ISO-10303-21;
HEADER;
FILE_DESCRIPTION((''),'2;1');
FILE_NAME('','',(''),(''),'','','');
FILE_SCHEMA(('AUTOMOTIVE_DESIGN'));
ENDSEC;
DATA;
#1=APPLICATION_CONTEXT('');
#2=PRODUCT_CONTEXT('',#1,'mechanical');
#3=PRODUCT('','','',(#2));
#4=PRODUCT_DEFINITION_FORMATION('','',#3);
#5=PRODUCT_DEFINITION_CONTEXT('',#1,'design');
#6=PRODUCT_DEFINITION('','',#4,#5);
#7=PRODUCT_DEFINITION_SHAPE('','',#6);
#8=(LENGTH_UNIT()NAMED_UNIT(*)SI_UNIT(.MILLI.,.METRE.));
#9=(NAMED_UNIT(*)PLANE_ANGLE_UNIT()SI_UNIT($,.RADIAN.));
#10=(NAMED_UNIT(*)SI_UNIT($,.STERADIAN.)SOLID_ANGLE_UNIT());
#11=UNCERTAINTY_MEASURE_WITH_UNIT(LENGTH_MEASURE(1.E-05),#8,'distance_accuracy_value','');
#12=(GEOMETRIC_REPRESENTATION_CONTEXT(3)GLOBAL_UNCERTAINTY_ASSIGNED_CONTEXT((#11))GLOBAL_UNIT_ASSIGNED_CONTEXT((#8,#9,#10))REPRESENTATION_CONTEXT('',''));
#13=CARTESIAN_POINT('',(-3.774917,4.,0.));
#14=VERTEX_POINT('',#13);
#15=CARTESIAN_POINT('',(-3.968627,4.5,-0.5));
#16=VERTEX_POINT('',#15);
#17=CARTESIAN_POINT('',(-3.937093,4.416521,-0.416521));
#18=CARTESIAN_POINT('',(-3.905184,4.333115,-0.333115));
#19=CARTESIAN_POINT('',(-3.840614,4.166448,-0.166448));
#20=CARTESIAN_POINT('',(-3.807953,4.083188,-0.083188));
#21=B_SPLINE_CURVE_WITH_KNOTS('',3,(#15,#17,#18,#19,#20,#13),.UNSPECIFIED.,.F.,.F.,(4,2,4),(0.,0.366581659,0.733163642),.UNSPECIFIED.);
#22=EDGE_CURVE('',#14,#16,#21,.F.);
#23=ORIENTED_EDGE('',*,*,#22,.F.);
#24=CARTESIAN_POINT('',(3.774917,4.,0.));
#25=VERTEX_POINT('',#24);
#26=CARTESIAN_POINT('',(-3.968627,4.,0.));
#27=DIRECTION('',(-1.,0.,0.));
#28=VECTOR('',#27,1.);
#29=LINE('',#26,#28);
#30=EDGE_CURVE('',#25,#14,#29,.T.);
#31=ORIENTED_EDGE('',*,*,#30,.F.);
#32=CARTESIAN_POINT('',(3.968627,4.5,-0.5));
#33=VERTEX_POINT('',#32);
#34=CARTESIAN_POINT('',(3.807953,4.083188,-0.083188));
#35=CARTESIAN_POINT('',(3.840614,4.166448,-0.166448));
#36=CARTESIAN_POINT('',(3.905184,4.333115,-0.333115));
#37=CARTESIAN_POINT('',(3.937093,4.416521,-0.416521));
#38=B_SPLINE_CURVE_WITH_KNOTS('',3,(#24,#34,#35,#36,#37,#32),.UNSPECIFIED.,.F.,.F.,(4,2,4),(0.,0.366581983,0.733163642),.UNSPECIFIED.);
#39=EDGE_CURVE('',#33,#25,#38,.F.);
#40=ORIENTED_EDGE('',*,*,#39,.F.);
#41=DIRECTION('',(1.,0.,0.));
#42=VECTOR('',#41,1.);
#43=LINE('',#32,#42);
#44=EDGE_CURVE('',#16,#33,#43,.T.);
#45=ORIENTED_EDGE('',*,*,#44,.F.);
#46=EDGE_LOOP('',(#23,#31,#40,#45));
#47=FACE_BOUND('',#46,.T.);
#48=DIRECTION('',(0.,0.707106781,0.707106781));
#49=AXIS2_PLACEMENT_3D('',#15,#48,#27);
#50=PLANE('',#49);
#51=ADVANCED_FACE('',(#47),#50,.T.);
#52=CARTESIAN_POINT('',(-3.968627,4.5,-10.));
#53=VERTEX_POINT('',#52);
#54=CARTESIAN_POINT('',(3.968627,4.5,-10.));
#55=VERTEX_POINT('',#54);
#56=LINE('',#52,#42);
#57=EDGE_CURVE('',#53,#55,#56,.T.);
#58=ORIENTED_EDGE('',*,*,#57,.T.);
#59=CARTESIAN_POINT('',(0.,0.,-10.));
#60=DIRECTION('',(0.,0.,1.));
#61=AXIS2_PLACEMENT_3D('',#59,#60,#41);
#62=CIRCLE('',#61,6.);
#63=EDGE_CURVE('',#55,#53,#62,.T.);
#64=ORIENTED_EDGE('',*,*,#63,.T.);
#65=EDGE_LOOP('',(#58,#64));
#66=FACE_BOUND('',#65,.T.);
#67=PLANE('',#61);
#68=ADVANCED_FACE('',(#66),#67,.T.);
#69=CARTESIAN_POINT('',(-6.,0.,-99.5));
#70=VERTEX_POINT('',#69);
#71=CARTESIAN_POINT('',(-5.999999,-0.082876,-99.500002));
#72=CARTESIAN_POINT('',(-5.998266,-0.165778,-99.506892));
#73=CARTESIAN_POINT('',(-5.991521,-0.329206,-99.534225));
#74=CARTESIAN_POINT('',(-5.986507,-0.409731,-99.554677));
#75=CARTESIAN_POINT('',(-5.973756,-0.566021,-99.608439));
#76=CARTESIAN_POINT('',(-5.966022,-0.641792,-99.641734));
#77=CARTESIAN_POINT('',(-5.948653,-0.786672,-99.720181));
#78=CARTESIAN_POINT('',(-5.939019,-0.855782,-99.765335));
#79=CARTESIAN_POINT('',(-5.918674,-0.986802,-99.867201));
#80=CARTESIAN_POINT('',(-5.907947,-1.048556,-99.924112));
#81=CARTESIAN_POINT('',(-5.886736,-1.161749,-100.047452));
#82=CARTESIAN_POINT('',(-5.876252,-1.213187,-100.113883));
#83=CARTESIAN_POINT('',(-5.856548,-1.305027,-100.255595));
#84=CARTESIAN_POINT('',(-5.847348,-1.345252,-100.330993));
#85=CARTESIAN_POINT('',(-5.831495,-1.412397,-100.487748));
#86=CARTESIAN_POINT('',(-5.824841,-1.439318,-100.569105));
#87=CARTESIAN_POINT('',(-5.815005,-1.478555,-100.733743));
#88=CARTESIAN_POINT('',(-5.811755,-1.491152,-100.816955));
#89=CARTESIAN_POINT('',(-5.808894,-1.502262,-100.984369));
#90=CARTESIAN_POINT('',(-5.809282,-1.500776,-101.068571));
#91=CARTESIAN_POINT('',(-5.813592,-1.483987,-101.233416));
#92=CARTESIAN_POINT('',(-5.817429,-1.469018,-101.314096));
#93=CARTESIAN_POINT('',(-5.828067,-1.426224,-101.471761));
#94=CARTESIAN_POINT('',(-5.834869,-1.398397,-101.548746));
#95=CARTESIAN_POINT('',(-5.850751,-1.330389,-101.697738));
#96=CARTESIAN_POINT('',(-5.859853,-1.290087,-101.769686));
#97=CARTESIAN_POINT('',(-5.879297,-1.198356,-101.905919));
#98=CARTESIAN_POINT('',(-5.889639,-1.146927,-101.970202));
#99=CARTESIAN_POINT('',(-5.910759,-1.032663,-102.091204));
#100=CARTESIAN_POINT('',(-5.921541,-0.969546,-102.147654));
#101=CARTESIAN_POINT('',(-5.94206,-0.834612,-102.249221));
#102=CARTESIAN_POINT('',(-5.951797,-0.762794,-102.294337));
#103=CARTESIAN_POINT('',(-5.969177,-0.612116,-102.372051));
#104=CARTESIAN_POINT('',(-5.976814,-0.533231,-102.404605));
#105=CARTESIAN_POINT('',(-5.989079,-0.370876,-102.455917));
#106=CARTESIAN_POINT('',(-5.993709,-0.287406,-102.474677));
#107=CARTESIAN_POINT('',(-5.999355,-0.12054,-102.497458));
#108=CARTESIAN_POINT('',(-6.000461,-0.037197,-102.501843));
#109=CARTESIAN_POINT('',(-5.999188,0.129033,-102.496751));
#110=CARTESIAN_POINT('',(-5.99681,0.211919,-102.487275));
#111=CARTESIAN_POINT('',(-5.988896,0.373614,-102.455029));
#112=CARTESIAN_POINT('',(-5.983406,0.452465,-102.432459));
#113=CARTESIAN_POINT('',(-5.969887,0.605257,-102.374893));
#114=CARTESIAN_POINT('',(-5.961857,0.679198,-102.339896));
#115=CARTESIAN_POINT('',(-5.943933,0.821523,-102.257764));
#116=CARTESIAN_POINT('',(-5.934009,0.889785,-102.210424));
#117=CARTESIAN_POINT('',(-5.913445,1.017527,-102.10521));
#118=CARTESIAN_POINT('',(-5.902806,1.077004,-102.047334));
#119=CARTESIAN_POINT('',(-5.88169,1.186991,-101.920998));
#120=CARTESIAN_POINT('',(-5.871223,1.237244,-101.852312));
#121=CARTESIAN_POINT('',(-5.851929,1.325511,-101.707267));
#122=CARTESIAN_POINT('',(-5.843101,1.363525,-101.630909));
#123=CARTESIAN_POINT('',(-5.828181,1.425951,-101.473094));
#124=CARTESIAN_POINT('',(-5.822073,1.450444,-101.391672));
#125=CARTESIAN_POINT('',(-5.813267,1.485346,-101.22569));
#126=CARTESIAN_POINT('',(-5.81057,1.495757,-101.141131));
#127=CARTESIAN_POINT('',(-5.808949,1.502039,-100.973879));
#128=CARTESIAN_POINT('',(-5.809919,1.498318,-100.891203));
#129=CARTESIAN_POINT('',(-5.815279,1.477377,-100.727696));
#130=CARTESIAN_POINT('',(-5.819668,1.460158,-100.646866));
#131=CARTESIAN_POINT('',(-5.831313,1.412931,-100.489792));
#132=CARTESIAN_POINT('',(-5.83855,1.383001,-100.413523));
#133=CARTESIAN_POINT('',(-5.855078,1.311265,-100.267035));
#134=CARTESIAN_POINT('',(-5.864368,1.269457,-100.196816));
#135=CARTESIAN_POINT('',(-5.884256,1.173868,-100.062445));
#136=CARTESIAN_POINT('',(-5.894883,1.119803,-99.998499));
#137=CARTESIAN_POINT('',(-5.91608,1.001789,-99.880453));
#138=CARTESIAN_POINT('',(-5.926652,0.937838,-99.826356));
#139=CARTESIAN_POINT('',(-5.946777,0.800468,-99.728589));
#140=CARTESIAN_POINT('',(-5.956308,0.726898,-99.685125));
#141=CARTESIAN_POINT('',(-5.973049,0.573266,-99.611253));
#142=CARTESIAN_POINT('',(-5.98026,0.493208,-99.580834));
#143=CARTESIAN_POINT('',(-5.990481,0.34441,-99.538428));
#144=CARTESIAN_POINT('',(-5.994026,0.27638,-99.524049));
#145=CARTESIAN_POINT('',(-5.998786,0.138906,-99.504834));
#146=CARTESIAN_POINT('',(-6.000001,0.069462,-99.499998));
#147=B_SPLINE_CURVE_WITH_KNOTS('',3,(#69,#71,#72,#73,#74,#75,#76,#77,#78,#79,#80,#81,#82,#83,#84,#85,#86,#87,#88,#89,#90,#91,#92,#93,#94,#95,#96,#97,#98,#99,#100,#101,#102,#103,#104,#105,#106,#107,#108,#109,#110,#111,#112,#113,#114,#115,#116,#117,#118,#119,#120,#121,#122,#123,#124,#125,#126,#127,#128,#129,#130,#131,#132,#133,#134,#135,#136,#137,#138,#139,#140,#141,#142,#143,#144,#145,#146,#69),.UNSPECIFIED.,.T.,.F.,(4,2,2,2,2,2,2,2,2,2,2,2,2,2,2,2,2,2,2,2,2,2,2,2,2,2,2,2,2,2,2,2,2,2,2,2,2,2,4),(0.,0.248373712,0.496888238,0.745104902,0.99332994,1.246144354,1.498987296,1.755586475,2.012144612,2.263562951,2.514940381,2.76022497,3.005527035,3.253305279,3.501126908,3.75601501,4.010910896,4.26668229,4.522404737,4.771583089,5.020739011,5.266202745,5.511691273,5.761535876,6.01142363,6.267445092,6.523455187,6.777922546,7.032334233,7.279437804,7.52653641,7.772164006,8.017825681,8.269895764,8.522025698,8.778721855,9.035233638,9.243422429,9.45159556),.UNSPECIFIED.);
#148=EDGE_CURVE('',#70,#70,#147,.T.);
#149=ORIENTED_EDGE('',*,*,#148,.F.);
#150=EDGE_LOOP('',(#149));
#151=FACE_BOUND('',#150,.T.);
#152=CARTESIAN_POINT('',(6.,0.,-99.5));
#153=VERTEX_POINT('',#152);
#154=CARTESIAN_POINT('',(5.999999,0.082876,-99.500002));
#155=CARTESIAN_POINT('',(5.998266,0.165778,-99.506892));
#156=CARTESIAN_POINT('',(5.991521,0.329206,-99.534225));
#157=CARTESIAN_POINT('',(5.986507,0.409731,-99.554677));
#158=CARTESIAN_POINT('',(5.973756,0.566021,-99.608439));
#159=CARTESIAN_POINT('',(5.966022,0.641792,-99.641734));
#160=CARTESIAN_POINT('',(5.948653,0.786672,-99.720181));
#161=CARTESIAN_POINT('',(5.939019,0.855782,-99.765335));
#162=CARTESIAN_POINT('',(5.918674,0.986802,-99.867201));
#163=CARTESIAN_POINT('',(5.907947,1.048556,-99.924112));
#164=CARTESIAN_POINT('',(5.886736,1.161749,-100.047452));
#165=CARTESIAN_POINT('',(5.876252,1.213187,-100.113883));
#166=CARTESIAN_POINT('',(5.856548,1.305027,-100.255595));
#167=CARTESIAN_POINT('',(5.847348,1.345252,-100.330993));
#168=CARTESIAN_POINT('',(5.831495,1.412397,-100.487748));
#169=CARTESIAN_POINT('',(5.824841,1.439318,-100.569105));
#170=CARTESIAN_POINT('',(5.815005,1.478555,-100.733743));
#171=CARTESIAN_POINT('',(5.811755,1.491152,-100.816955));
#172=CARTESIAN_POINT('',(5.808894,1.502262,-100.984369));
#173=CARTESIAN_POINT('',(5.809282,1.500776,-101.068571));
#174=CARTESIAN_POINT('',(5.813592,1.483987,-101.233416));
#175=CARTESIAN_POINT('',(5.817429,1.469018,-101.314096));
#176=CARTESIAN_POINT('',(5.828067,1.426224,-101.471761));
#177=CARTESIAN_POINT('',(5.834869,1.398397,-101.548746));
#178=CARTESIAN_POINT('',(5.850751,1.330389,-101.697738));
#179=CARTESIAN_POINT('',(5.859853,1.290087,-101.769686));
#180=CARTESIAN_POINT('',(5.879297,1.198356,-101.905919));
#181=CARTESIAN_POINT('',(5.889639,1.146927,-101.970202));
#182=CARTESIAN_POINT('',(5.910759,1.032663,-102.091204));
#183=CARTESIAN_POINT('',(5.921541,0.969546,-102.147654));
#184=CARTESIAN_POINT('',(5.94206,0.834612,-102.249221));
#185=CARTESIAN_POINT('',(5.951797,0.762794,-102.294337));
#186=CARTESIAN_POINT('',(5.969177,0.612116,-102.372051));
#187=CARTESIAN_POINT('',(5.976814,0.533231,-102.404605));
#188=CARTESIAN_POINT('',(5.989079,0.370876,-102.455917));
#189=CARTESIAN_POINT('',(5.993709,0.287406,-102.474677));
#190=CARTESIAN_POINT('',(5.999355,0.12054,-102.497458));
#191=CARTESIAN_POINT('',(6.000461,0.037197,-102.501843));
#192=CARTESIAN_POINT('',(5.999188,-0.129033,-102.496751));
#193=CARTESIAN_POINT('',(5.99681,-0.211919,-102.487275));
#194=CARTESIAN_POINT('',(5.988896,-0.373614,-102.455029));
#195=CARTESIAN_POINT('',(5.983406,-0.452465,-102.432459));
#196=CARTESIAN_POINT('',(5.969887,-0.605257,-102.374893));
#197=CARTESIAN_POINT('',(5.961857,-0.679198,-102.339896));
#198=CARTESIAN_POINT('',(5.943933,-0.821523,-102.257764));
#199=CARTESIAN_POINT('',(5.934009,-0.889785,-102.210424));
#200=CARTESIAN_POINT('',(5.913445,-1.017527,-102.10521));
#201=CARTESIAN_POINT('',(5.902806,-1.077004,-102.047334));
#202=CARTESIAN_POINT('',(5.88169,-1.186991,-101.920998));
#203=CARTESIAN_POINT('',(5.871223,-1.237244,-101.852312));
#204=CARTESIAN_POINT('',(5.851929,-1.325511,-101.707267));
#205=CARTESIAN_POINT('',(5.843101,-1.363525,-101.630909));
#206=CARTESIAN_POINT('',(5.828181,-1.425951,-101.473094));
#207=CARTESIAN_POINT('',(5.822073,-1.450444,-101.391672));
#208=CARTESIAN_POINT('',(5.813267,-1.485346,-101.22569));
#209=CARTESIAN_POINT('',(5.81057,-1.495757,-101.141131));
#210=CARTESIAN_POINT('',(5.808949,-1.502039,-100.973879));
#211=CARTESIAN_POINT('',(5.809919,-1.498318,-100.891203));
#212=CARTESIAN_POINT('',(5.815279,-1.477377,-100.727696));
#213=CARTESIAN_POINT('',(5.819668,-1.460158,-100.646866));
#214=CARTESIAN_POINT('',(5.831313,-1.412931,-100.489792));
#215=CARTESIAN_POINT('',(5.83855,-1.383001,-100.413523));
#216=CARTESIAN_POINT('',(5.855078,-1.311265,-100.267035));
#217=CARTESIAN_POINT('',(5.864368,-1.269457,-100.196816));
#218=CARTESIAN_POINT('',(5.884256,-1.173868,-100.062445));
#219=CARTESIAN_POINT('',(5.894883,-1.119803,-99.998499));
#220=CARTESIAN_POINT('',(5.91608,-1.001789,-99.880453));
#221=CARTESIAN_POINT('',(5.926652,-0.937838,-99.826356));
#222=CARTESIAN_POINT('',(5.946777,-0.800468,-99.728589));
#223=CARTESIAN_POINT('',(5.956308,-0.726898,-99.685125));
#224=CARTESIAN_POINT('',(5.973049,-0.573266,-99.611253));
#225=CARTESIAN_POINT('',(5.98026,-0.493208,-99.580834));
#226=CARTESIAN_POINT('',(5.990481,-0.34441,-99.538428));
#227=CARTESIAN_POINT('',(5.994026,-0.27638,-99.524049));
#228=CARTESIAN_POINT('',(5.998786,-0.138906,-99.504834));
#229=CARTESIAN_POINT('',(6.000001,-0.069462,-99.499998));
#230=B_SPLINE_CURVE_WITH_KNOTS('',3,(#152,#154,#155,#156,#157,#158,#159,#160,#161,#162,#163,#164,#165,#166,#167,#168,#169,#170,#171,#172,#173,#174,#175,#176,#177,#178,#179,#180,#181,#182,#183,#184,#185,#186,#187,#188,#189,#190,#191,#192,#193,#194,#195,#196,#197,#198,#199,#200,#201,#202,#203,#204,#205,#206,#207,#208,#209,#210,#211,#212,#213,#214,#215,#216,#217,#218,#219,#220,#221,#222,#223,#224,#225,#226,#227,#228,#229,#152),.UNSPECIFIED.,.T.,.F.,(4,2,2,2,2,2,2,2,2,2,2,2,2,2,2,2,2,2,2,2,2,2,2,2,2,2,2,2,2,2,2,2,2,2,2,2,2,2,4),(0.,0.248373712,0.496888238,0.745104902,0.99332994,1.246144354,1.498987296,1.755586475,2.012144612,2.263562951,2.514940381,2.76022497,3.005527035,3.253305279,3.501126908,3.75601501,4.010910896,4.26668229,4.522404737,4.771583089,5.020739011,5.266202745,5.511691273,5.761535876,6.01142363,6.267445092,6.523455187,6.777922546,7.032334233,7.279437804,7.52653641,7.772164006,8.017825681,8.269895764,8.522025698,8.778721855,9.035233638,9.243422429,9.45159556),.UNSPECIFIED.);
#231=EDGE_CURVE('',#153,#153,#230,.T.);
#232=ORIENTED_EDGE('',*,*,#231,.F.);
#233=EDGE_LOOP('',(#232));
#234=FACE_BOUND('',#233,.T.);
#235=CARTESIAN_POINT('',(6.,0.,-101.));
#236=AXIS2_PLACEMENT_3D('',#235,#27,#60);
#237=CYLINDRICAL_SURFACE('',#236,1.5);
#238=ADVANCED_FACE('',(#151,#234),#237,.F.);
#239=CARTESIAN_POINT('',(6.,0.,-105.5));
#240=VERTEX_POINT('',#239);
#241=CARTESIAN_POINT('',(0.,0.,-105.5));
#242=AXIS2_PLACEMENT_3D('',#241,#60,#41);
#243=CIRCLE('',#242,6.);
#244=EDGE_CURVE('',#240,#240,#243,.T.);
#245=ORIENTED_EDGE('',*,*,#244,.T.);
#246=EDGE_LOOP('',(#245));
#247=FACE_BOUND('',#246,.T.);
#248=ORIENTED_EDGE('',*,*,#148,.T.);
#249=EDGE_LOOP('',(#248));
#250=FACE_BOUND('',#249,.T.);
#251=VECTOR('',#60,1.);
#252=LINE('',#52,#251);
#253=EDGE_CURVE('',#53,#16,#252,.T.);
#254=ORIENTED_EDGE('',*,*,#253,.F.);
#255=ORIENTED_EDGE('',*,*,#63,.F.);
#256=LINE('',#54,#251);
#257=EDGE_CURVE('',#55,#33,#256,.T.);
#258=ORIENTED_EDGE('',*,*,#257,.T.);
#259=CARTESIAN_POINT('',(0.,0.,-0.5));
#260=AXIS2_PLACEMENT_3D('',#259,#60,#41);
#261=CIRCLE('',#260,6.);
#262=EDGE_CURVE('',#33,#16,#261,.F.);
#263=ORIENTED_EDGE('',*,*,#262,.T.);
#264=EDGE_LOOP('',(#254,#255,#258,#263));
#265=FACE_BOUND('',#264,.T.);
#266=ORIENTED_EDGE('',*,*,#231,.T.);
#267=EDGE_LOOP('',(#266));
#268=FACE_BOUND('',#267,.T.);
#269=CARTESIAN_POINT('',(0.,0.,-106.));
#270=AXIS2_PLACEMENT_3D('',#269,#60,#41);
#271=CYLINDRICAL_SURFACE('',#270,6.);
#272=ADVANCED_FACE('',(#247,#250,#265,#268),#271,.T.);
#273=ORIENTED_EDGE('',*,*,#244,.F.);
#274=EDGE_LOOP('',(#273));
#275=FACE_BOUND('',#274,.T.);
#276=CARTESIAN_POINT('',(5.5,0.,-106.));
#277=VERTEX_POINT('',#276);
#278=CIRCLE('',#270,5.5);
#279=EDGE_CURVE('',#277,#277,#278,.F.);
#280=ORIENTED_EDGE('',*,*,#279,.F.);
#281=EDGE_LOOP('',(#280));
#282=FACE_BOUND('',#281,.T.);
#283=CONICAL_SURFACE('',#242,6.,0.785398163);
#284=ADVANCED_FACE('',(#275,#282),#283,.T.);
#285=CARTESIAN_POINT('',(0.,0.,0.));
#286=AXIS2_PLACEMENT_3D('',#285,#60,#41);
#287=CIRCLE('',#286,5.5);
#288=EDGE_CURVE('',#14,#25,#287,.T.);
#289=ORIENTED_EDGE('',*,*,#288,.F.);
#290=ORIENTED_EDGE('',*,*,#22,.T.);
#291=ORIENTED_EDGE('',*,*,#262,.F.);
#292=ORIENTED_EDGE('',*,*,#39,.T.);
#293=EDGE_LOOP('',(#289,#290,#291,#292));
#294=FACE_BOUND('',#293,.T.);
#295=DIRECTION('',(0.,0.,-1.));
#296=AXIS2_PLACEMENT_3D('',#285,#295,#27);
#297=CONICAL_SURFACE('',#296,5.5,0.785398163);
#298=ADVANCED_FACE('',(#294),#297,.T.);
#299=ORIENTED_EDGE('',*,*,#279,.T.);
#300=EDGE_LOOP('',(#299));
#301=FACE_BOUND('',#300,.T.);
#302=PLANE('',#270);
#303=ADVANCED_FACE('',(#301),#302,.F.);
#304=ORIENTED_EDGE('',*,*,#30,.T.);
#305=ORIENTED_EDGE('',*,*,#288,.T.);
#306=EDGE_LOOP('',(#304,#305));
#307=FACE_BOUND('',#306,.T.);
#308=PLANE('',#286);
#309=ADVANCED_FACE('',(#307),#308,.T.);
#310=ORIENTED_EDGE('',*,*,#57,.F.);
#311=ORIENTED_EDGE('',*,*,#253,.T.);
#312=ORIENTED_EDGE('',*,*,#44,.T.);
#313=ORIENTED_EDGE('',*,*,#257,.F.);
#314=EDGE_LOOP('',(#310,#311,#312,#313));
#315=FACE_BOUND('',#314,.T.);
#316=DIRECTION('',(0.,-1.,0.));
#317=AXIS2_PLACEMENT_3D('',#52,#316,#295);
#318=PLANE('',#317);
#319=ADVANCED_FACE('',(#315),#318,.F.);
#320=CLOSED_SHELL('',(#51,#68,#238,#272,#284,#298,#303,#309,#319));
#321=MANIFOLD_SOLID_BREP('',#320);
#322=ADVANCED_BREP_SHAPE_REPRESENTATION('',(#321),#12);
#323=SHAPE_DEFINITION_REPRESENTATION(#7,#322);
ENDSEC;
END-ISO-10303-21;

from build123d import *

# Parameters (mm, degrees)
SKETCH1_R               = 6
BOSS_EXTRUDE1_DEPTH     = 106
CUT_EXTRUDE1_DEPTH      = 107.339080304
CUT_EXTRUDE1_DEPTH_BACK = 107.339080304
SKETCH2_R               = 1.5
CUT_EXTRUDE2_DEPTH      = 10
CHAMFER1_SIZE           = 0.5


with BuildPart() as part:
    # Sketch1 → Boss-Extrude1 (new body)
    with BuildSketch(Plane.XY):
        Circle(SKETCH1_R)
    extrude(amount=-BOSS_EXTRUDE1_DEPTH)

    # Sketch2 → Cut-Extrude1 (cut, two sides: drawn at the far end of the back side and taken through both)
    with BuildSketch(Plane(origin=(0, 0, 0), x_dir=(0, 0, -1), z_dir=(1, 0, 0)).offset(-CUT_EXTRUDE1_DEPTH_BACK)):
        with Locations(Location((101, 0, 0), (0, 0, 180))):
            Circle(SKETCH2_R)
    extrude(amount=CUT_EXTRUDE1_DEPTH + CUT_EXTRUDE1_DEPTH_BACK, mode=Mode.SUBTRACT)

    # Sketch3 → Cut-Extrude2 (cut)
    with BuildSketch(Plane.XY):
        with BuildLine():
            Line((-3.968626967, 4.5), (3.968626967, 4.5))
            ThreePointArc((3.968626967, 4.5), (0, 6), (-3.968626967, 4.5))
        make_face()
    extrude(amount=-CUT_EXTRUDE2_DEPTH, mode=Mode.SUBTRACT)

    # Chamfer1
    chamfer1_edges = [part.edges().sort_by_distance(p)[0] for p in [
        (-2.468626967, -5.468626967, 0),
        (0, 4.5, 0),
        (-6, 0, -106),
    ]]
    chamfer(chamfer1_edges, length=CHAMFER1_SIZE)


solid = part.part
